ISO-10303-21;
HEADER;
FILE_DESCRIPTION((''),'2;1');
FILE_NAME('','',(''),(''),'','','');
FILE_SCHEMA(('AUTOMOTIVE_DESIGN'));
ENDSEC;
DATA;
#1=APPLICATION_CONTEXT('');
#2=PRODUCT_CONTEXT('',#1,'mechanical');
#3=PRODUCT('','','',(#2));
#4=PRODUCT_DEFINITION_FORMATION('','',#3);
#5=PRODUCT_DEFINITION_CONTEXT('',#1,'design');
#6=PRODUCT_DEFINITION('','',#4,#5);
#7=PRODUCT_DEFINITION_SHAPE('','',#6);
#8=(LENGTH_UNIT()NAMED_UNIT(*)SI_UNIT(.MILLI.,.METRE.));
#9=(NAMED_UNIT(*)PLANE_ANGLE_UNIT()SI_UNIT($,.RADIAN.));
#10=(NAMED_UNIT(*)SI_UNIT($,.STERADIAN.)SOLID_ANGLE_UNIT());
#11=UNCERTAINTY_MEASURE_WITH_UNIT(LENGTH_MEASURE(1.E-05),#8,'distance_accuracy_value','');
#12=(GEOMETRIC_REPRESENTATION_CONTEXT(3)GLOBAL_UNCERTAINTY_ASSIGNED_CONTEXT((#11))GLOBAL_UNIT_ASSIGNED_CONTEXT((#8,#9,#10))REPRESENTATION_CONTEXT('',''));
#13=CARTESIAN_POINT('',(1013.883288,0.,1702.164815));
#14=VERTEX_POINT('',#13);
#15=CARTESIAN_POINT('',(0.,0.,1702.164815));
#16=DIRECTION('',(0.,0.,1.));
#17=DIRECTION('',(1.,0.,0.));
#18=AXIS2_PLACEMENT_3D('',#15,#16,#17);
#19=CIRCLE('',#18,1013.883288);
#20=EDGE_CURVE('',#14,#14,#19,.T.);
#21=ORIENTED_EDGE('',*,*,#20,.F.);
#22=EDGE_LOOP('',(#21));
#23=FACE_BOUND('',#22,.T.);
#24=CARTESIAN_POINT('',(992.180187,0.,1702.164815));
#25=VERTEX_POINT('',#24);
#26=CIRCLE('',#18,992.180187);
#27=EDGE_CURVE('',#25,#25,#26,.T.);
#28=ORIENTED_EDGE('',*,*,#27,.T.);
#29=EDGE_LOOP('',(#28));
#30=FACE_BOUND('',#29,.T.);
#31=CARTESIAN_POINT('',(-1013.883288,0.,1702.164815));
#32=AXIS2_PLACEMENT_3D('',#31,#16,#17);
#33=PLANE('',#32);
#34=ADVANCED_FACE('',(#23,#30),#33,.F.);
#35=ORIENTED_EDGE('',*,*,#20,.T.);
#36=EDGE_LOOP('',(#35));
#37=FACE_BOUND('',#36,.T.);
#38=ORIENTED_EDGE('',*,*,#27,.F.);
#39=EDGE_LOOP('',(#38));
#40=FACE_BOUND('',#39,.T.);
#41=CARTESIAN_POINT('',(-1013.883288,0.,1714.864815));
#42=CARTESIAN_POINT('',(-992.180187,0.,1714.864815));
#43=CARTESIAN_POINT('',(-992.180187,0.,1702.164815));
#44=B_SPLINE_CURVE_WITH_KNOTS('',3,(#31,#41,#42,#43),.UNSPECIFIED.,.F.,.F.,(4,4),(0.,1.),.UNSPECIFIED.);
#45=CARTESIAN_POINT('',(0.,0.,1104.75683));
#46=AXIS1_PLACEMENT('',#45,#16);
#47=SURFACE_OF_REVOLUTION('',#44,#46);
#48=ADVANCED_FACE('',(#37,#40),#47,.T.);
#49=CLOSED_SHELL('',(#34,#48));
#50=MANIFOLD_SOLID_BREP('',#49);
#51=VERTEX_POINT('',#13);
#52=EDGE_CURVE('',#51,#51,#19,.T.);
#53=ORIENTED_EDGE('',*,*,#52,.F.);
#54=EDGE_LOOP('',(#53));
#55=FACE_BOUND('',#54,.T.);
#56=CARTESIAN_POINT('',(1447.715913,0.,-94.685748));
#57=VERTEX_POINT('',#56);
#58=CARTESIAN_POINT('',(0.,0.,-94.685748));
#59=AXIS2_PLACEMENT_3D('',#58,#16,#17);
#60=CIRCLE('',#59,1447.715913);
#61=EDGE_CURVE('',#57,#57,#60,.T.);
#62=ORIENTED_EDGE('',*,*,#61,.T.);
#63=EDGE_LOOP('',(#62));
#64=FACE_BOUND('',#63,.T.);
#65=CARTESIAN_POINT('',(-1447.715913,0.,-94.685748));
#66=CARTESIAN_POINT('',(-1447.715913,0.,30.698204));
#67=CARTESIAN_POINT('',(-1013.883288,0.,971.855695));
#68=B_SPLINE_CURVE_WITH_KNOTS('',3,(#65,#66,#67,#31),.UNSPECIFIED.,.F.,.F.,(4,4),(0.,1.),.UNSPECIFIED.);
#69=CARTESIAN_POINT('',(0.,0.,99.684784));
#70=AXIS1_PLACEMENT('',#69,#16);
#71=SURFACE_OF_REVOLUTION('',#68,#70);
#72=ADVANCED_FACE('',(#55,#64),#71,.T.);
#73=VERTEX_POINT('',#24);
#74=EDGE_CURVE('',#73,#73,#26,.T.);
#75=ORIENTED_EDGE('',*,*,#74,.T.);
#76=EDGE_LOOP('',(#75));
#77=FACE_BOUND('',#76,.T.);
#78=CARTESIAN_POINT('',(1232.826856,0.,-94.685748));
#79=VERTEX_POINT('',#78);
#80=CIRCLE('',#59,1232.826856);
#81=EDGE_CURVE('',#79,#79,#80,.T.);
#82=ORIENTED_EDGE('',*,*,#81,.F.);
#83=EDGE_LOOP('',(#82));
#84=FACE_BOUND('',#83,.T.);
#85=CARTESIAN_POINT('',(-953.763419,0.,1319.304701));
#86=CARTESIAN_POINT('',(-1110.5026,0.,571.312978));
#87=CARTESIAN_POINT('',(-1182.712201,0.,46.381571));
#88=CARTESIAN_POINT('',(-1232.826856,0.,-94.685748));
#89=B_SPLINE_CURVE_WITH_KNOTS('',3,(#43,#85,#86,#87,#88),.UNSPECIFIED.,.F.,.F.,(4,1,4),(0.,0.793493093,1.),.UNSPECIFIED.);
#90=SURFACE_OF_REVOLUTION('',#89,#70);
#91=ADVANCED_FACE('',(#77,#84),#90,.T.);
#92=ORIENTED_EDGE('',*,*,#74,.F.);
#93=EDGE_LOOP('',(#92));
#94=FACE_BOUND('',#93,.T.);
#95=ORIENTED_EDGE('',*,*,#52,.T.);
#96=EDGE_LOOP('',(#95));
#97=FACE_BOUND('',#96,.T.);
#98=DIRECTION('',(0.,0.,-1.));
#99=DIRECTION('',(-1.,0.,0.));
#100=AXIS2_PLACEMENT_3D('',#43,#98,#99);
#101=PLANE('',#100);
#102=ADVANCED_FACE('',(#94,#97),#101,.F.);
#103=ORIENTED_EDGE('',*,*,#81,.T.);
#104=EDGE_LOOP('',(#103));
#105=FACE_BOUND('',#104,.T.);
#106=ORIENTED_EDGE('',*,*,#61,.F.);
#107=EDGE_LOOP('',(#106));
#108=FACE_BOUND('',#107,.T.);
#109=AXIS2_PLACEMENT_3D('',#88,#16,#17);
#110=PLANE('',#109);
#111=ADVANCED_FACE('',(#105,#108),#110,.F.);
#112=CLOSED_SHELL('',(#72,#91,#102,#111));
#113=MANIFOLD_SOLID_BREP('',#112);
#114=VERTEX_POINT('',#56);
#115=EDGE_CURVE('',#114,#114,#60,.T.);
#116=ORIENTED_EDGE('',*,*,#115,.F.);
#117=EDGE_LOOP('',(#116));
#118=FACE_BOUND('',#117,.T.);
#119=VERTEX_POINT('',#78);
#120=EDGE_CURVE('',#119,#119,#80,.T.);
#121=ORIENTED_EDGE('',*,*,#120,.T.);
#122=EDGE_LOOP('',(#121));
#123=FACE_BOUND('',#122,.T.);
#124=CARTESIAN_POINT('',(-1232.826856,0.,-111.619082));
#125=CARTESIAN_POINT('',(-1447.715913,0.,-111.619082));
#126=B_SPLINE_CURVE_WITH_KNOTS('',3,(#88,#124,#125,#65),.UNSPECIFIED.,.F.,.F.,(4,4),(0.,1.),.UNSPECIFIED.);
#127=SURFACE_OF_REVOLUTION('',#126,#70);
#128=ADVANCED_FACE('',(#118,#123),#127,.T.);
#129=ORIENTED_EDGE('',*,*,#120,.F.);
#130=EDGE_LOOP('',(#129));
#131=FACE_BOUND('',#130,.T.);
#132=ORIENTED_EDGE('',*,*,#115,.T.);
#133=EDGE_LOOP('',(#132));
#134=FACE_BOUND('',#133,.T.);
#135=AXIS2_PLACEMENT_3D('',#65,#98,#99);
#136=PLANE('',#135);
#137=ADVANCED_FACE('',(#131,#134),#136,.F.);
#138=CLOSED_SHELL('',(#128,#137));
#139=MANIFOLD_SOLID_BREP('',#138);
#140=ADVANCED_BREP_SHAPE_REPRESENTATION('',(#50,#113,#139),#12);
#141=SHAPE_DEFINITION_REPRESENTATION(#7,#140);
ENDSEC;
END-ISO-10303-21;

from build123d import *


with BuildPart() as part:
    # Sketch21 → Revolve2 (revolve)
    with BuildSketch(Plane(origin=(0, 0, 0), x_dir=(1, 0, 0), z_dir=(0, 1, 0))):
        with BuildLine():
            Line((-992.18018654, -1702.164815011), (-1013.883288312, -1702.164815011))
            add(Edge.make_bspline(
                [(-1447.715913467, 94.685748265), (-1447.715913467, -30.698204111), (-1013.883288312, -971.855694625), (-1013.883288312, -1702.164815011)],
                knots=[0, 0, 0, 0, 1, 1, 1, 1], degree=3))
            Line((-1447.715913467, 94.685748265), (-1232.826856147, 94.685748265))
            add(Edge.make_bspline(
                [(-1232.826856147, 94.685748265), (-1182.712200962, -46.381570775), (-1110.502599669, -571.312977983), (-953.763419276, -1319.304700659), (-992.18018654, -1702.164815011)],
                knots=[0, 0, 0, 0, 0.206506907, 1, 1, 1, 1], degree=3))
        make_face()
    revolve(axis=Axis((0, 0, 99.684784321), (0, 0, -1)))


with BuildPart() as body_2:
    # Sketch22 → Revolve3 (revolve)
    with BuildSketch(Plane(origin=(0, 0, 0), x_dir=(1, 0, 0), z_dir=(0, 1, 0))):
        with BuildLine():
            Line((-1447.715913467, 94.685748265), (-1232.826856147, 94.685748265))
            add(Edge.make_bspline(
                [(-1447.715913467, 94.685748265), (-1447.715913467, 111.619081598), (-1232.826856147, 111.619081598), (-1232.826856147, 94.685748265)],
                knots=[0, 0, 0, 0, 1, 1, 1, 1], degree=3))
        make_face()
    revolve(axis=Axis((0, 0, 99.684784321), (0, 0, -1)))


with BuildPart() as body_3:
    # Sketch23 → Revolve4 (revolve)
    with BuildSketch(Plane(origin=(0, 0, 0), x_dir=(1, 0, 0), z_dir=(0, 1, 0))):
        with BuildLine():
            Line((-1013.883288312, -1702.164815011), (-992.18018654, -1702.164815011))
            add(Edge.make_bspline(
                [(-1013.883288312, -1702.164815011), (-1013.883288312, -1714.864815011), (-992.18018654, -1714.864815011), (-992.18018654, -1702.164815011)],
                knots=[0, 0, 0, 0, 1, 1, 1, 1], degree=3))
        make_face()
    revolve(axis=Axis((0, 0, 1104.756830123), (0, 0, -1)))


solid = Compound([part.part, body_2.part, body_3.part])
